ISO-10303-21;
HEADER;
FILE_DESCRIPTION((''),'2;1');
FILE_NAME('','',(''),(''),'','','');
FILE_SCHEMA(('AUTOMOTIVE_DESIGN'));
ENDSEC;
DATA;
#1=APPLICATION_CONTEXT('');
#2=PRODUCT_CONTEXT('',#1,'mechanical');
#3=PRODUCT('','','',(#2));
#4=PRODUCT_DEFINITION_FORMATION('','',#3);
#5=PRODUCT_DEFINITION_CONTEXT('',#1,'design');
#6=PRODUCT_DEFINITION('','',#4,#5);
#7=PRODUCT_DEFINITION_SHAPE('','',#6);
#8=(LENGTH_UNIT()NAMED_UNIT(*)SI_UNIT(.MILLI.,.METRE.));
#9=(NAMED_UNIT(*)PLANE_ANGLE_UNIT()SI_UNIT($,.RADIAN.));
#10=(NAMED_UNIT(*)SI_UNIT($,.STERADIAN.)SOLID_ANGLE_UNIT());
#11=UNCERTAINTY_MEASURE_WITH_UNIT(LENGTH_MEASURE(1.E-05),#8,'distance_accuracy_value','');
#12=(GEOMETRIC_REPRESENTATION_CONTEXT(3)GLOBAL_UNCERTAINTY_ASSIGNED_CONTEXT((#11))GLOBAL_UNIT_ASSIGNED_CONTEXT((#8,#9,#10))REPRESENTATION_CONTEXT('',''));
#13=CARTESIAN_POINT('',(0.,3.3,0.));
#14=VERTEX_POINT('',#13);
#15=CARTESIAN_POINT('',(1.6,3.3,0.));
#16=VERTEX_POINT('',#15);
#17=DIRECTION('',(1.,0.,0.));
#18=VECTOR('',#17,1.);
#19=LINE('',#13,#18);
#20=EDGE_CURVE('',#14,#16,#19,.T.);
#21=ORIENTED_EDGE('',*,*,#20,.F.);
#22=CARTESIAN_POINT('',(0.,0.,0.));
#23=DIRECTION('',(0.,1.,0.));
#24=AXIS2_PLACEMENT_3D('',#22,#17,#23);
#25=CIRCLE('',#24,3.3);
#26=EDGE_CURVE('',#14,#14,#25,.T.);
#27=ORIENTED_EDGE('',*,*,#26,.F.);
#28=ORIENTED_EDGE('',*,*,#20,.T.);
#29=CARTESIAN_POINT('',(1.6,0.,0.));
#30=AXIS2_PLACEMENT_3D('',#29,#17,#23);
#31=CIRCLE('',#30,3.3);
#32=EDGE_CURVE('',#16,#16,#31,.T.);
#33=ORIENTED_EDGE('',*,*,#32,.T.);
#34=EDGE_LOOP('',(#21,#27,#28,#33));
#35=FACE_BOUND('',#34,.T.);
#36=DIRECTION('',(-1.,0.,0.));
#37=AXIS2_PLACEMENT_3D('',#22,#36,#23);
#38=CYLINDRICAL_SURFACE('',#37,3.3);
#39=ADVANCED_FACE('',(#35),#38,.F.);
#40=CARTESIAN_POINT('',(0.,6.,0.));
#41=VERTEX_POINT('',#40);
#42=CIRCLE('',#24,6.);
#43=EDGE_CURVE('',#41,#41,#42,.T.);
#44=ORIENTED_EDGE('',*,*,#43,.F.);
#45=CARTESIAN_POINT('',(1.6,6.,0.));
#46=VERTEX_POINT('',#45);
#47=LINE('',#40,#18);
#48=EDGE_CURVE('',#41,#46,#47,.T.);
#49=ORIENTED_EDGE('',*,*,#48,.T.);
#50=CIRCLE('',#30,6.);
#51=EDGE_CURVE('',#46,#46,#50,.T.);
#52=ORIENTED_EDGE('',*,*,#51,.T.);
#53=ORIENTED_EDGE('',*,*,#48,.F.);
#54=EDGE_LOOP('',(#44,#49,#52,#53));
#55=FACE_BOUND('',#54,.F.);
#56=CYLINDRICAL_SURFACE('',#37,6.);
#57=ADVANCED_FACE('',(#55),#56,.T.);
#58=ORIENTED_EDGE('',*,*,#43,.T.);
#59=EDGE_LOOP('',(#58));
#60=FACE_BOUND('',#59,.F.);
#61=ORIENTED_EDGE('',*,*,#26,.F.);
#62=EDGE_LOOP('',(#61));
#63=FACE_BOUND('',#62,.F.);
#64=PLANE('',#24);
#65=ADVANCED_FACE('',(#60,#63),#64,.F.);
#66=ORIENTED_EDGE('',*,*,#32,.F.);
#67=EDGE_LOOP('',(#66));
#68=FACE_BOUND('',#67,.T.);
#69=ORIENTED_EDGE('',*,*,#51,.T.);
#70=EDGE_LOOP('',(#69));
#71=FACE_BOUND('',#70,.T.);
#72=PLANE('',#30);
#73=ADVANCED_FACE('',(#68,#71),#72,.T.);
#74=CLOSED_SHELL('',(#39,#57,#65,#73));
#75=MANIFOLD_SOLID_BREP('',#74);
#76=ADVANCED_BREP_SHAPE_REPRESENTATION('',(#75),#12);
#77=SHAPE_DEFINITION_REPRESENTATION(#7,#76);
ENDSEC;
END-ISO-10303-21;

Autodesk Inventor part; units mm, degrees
ref_plane "YZ Plane" through (0, 0, 0) normal (1, 0, 0) x (0, 1, 0)
ref_plane "XZ Plane" through (0, 0, 0) normal (0, 1, 0) x (-1, 0, 0)
sketch "Sketch" plane through (0, 0, 0) normal (1, 0, 0) x (0, 1, 0)
  circle A0 centre (0, 0) radius 6
  circle A1 centre (0, 0) radius 3.3
  dimension "d0" = 6.6
  dimension "d1" = 12
extrude "Body" add sketch "Sketch" along normal blind 1.6
ref_plane "Work Plane1" through (0, 0, 0) normal (0, 0, 1) x (1, 0, 0)
equation "\"d0\" = SD1"
equation "\"d1\" = SD2"
equation "\"d2\" = SD"
equation "\"SD1\" = 6.6"
equation "\"SD2\" = 12"
equation "\"SD\" = 1.6"
equation "\"NND\" = 6"
properties part number "ISO 7091 - ST 6 - 100 HV" material "Steel"
